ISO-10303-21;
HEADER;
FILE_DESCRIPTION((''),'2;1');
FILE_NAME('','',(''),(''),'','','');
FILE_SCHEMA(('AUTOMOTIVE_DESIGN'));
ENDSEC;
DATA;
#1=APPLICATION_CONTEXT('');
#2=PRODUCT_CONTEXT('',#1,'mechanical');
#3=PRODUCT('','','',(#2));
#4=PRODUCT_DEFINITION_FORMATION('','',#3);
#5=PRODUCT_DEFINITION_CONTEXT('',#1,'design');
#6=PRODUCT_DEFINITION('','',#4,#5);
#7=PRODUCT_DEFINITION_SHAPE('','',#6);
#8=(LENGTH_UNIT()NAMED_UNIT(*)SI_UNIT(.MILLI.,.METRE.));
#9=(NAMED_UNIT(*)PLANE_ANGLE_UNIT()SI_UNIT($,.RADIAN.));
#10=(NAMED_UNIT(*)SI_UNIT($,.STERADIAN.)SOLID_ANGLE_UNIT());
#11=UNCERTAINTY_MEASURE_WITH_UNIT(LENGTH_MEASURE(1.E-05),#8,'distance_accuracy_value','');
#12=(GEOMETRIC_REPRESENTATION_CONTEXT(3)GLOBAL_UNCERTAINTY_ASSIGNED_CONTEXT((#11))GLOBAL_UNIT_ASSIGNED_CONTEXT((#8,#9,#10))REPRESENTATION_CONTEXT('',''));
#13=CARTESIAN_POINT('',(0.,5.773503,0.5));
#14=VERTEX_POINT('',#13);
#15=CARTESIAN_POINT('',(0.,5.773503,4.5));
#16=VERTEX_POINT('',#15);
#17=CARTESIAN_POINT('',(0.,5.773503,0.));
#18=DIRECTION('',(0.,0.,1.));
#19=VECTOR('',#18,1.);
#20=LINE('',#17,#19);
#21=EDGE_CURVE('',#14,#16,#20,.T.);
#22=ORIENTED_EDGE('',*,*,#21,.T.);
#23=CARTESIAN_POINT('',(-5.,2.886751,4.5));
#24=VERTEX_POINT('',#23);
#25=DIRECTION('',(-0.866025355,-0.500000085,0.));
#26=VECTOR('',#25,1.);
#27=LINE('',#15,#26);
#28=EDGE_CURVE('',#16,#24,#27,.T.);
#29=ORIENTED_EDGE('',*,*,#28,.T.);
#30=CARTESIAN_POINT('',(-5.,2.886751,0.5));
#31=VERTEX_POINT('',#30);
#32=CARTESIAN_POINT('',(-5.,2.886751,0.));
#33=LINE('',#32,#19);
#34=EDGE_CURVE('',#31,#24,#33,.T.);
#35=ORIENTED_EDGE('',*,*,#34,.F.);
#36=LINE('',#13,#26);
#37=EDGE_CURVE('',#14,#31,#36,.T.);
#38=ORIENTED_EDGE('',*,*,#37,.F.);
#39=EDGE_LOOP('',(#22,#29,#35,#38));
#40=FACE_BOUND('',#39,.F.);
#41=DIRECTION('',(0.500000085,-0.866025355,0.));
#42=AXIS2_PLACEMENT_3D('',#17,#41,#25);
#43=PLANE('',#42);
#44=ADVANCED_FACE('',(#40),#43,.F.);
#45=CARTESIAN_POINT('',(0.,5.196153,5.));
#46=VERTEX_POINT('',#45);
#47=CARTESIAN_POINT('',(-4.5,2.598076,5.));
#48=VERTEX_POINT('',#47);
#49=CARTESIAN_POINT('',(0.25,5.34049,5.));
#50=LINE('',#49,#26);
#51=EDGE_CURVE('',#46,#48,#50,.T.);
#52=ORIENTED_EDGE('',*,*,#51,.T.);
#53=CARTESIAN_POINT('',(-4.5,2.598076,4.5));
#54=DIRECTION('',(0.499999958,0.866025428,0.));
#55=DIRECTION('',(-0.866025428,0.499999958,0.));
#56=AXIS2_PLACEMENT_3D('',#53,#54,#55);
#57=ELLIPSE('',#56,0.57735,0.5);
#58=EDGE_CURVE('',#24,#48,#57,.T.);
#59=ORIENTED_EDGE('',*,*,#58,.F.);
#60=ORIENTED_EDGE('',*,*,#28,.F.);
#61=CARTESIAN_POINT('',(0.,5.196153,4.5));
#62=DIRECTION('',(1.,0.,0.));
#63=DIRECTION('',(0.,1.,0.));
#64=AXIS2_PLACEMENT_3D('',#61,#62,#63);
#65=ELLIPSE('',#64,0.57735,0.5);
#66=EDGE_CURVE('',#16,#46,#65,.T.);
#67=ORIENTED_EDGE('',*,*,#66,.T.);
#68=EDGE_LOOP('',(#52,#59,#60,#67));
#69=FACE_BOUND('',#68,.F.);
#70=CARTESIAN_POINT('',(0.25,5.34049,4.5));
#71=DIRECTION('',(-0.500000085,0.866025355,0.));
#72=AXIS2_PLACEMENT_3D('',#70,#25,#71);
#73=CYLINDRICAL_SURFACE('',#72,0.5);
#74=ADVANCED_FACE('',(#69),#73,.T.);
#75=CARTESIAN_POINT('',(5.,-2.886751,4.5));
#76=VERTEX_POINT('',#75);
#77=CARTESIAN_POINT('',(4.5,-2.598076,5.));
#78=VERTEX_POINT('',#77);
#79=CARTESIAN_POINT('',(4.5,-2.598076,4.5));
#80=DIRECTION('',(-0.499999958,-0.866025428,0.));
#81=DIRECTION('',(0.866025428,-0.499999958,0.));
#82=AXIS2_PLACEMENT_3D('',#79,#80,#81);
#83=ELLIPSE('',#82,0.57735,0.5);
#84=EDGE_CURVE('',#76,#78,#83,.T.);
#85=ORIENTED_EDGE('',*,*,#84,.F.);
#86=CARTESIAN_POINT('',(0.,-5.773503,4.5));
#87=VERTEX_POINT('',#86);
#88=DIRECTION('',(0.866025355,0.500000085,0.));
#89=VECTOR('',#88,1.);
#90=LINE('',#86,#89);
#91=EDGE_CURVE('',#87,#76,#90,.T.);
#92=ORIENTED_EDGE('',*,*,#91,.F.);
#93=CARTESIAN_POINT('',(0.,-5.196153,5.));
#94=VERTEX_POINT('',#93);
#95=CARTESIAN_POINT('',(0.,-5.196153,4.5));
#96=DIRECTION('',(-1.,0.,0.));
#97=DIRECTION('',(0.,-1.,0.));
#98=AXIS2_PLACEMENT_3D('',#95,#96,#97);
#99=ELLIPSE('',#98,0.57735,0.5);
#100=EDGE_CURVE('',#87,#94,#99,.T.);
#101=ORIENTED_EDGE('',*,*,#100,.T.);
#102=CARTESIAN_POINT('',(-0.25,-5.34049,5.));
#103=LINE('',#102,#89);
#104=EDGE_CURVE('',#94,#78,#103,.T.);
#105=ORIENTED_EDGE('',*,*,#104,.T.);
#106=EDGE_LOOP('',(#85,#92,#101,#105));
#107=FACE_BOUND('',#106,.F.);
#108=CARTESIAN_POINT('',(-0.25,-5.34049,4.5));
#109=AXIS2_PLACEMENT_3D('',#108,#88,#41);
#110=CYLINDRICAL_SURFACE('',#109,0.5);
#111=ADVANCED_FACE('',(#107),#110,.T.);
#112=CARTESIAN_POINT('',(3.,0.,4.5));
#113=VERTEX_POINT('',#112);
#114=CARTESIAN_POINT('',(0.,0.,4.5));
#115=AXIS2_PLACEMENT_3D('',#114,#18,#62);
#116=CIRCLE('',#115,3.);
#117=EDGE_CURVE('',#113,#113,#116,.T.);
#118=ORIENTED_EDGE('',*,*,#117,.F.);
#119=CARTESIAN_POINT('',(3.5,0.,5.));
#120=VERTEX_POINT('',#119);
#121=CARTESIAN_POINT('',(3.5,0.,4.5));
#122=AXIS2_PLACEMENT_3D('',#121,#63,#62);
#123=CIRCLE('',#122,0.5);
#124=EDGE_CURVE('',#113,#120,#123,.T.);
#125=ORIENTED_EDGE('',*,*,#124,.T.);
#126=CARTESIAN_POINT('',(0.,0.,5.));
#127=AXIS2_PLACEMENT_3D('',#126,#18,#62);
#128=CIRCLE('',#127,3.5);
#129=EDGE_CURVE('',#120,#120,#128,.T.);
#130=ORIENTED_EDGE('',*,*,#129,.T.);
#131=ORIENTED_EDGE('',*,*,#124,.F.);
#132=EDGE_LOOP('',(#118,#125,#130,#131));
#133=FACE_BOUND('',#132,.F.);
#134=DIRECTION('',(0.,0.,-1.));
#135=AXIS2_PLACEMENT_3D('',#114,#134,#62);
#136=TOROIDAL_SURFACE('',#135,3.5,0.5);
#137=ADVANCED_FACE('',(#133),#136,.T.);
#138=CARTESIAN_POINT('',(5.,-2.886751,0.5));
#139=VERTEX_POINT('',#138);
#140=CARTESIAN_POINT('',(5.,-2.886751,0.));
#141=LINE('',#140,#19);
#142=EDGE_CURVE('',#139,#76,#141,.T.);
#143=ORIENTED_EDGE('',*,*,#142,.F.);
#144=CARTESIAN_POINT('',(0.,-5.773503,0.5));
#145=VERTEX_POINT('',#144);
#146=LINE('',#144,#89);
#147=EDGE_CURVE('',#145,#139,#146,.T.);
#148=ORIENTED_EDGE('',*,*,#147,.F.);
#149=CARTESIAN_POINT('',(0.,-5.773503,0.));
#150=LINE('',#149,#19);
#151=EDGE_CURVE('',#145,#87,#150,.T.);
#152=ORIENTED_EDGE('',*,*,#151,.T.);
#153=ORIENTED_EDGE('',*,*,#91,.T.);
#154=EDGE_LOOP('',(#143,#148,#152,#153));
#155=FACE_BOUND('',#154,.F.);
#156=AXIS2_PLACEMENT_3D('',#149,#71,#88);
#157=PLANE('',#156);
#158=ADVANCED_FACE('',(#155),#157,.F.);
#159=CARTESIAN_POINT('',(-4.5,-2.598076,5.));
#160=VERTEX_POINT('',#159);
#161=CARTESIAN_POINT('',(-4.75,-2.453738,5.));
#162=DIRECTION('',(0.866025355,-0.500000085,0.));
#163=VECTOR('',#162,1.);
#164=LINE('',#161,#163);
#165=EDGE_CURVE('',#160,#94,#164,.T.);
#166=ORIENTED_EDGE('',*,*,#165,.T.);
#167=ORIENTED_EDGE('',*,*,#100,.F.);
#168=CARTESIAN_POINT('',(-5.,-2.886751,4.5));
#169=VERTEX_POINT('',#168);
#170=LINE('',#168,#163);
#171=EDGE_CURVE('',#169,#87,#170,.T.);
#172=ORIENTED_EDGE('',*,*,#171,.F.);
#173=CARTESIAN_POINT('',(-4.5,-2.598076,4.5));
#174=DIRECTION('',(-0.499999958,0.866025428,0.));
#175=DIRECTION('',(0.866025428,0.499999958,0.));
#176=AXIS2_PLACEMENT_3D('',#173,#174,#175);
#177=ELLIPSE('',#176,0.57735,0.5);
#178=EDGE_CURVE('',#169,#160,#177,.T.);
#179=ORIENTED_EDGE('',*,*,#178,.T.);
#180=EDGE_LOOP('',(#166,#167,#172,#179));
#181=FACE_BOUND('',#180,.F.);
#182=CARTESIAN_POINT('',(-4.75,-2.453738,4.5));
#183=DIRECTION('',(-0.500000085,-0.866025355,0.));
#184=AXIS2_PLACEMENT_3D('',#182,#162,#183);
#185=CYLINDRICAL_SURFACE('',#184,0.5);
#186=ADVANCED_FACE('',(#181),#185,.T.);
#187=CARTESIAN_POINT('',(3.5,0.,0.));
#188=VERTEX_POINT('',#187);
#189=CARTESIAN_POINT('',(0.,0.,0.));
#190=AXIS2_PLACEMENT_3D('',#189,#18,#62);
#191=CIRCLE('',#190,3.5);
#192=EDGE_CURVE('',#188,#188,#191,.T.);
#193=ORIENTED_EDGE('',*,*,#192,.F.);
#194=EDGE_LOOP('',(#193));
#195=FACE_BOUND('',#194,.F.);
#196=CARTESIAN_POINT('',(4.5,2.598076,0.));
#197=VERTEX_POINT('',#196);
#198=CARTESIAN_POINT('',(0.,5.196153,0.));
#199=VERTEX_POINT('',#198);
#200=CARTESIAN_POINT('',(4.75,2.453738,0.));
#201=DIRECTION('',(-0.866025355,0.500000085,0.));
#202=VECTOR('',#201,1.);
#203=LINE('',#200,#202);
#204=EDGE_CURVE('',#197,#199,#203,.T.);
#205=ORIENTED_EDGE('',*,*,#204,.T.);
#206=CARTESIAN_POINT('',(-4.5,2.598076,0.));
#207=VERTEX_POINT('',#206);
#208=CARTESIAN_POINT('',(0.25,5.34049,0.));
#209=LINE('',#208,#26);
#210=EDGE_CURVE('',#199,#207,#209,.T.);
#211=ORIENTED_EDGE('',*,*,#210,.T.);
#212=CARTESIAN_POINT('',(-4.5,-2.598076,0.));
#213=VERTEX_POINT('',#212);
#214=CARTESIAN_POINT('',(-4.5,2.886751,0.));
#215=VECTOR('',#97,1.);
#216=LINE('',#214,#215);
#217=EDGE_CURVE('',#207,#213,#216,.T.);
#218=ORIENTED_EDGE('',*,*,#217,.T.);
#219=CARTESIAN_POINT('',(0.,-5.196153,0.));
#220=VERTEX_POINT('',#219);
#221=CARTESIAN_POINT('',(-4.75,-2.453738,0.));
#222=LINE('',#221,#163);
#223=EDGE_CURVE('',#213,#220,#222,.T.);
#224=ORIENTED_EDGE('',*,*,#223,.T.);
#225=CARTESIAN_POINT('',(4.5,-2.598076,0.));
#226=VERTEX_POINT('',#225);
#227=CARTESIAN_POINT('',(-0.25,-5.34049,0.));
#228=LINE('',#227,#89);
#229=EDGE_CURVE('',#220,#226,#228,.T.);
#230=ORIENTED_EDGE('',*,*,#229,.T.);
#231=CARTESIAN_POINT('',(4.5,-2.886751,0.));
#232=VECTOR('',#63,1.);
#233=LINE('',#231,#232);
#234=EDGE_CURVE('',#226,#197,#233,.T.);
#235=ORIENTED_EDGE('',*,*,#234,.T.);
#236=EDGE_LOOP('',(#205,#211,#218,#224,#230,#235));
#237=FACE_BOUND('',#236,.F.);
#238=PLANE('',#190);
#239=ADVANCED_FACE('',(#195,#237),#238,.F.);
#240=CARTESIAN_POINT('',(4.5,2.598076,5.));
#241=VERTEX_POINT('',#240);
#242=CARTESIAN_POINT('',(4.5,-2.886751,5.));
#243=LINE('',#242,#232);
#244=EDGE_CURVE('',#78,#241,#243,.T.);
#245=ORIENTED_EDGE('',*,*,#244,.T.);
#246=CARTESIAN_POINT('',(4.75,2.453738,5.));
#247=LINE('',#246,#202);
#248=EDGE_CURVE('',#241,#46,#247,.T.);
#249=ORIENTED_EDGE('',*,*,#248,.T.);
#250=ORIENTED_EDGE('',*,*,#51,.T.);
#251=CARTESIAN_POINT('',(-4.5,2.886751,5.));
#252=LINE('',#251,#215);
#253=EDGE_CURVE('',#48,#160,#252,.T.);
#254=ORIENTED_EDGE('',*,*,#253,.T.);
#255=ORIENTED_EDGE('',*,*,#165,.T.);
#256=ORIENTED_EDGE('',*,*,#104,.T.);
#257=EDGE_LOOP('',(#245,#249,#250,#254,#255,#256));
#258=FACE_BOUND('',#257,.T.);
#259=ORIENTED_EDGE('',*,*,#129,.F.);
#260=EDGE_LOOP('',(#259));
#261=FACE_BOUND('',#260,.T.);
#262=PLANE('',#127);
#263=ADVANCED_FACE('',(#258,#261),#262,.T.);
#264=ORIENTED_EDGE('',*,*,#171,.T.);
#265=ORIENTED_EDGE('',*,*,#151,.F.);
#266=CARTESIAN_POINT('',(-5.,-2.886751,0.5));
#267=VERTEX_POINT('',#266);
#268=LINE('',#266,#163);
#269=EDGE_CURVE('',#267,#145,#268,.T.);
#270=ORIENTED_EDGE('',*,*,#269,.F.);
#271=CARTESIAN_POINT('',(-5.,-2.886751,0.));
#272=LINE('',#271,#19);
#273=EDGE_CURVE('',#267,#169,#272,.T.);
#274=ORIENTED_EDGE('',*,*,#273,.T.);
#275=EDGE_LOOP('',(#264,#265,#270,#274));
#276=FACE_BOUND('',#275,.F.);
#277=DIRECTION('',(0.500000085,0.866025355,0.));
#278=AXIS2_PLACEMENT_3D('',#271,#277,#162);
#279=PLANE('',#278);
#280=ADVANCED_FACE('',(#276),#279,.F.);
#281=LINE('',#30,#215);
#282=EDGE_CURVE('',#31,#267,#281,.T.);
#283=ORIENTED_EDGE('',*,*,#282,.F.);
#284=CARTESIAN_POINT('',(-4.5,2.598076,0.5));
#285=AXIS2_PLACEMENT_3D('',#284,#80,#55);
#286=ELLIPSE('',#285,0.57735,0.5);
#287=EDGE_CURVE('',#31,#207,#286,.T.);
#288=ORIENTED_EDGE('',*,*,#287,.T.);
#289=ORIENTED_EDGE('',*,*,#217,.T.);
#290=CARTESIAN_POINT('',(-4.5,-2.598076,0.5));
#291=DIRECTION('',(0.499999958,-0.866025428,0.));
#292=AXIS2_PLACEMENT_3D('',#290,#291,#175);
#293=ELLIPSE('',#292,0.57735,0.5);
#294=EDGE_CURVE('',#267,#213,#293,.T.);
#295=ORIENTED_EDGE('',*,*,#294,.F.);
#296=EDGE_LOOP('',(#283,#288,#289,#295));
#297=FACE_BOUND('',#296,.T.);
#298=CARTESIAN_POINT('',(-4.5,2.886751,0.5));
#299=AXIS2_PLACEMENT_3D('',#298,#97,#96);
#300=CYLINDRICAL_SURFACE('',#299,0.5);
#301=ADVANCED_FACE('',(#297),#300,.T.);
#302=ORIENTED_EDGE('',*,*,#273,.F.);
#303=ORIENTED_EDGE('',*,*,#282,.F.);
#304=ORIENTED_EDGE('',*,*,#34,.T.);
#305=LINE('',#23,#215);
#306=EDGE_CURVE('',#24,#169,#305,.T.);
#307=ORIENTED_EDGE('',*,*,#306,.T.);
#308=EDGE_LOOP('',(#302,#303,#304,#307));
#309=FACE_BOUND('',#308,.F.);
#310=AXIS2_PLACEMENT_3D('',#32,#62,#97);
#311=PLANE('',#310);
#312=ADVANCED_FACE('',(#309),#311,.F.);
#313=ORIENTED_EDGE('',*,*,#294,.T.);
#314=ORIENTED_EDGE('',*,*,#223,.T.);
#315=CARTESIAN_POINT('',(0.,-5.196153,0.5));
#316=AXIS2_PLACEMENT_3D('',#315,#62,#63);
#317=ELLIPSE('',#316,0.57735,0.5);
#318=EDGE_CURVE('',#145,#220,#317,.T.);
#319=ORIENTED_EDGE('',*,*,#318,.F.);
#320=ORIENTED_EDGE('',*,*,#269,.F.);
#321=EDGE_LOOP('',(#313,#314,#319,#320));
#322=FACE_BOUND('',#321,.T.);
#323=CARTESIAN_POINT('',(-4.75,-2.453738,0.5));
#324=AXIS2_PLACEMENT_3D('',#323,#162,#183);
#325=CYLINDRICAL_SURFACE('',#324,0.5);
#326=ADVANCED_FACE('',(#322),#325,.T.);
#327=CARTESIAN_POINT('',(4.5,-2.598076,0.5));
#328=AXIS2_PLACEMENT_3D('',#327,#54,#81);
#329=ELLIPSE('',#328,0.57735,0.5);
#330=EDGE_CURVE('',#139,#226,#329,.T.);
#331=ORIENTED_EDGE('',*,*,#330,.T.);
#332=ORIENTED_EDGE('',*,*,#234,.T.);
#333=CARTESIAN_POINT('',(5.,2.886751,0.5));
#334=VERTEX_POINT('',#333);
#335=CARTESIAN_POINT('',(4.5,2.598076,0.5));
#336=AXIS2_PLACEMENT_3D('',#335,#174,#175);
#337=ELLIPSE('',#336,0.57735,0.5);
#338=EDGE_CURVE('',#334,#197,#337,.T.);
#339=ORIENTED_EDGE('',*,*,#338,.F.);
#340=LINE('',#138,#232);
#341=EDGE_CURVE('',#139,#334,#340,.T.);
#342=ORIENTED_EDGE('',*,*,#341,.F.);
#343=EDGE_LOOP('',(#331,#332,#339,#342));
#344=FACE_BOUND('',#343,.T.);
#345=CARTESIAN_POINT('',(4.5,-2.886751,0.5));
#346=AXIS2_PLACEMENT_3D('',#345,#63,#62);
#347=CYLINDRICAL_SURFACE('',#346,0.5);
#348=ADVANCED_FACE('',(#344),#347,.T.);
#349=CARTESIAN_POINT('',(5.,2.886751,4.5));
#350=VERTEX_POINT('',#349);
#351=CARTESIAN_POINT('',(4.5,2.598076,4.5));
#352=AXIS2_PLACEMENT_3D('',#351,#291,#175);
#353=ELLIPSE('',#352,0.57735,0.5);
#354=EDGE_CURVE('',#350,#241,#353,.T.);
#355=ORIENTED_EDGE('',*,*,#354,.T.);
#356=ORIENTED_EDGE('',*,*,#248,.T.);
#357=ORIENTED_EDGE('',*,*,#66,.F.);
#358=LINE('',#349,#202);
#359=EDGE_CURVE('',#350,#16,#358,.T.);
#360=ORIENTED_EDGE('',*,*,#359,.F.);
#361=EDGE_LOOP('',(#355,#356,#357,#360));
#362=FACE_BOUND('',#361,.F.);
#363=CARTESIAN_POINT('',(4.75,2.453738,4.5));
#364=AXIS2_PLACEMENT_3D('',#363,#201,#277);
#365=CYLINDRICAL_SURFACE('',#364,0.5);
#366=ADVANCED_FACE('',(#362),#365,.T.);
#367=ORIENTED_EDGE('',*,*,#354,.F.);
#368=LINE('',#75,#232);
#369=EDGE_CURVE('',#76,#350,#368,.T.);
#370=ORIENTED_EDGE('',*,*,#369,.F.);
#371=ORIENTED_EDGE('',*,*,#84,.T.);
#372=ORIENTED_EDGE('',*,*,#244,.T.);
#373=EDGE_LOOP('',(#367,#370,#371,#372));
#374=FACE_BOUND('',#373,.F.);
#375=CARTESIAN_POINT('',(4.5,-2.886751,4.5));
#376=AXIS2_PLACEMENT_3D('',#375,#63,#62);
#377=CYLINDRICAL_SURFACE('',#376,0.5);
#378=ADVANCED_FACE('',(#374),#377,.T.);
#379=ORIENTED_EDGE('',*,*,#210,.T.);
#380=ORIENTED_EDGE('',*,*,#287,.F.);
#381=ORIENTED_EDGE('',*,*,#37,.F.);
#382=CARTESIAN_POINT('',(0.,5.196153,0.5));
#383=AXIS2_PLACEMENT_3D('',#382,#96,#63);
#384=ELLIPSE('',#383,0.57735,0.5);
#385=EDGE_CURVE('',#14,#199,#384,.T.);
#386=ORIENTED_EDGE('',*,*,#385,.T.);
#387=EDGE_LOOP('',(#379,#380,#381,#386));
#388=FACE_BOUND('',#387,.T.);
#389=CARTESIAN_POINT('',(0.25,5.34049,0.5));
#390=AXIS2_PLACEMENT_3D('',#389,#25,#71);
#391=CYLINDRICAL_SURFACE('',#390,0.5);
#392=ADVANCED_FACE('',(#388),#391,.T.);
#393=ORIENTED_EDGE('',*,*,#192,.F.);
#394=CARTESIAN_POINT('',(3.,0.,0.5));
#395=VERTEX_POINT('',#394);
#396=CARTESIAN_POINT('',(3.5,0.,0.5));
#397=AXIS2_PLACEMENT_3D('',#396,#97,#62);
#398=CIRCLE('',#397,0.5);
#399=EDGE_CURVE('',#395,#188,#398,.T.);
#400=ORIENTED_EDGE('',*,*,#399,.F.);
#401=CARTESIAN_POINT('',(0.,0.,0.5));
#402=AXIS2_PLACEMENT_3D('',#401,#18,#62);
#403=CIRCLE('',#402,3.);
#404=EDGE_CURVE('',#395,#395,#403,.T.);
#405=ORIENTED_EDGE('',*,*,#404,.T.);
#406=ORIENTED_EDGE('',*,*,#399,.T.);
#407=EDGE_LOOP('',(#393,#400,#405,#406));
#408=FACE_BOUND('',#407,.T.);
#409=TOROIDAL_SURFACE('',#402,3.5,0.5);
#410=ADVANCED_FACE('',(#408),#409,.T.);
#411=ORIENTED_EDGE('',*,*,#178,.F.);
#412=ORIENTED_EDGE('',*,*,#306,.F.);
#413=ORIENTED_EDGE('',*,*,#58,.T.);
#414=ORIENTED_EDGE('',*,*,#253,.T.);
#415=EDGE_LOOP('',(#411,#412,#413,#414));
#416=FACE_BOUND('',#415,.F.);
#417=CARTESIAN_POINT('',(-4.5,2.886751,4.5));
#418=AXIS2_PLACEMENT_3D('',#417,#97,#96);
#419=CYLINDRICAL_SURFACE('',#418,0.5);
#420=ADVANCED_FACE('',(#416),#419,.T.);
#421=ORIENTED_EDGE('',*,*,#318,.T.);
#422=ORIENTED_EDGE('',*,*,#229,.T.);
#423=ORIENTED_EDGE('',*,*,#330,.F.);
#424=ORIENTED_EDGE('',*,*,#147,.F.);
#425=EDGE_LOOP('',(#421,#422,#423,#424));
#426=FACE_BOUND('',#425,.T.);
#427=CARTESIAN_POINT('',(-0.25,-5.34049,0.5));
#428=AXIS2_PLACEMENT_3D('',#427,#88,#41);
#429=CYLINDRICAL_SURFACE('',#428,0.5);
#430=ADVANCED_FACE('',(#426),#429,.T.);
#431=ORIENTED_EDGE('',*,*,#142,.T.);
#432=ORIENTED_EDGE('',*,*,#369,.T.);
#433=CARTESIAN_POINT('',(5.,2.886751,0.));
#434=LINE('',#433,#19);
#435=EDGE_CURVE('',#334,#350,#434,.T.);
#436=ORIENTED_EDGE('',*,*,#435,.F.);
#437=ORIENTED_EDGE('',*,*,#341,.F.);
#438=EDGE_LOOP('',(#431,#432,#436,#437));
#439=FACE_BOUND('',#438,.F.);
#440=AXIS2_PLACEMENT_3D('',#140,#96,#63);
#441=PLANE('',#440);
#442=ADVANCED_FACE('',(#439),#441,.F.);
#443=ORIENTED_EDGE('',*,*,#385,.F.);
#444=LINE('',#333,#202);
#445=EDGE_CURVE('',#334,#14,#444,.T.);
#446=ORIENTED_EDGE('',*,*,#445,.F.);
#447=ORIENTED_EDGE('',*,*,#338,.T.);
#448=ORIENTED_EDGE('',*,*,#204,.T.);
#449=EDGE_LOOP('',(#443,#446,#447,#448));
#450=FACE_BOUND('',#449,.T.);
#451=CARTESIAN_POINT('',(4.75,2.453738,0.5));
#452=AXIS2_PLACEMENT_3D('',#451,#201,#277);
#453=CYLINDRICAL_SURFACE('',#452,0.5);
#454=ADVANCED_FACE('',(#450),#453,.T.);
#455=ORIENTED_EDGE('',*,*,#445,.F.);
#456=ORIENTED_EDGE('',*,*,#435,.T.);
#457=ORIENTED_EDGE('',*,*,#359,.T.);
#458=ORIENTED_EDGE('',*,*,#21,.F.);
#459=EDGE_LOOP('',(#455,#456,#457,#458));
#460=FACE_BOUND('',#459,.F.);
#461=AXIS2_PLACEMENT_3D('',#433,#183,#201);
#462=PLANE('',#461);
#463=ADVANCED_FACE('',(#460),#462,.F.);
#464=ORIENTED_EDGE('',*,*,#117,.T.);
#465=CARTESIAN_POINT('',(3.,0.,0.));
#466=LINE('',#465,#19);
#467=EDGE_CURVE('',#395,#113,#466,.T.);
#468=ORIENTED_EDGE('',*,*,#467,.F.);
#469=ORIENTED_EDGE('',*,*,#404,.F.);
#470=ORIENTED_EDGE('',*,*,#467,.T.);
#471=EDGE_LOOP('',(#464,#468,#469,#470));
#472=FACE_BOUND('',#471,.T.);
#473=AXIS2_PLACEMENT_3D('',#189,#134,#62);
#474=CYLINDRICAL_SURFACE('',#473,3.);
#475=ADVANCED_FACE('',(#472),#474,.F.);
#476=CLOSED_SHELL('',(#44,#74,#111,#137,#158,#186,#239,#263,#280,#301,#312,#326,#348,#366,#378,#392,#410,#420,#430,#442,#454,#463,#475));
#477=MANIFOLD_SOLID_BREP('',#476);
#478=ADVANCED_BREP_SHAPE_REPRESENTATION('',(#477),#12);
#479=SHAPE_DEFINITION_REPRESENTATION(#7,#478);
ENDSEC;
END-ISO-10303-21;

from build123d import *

# Parameters (mm, degrees)
F0_R     = 3
F1_DEPTH = 5
F2_R     = 0.5


with BuildPart() as f1:
    # F0 (on Top) → F1 (new body)
    with BuildSketch(Plane.XY):
        Polygon((5, -2.886751), (5, 2.886751), (0, 5.773503), (-5, 2.886751), (-5, -2.886751), (0, -5.773503), align=None)
        Circle(F0_R, mode=Mode.SUBTRACT)
    extrude(amount=F1_DEPTH)

    # F2
    f2_edges = [f1.edges().sort_by_distance(p)[0] for p in [
        (-3, 0, 5),
        (-3, 0, 0),
        (2.5, -4.330127, 0),
        (-2.5, -4.330127, 0),
        (-2.5, -4.330127, 5),
        (2.5, -4.330127, 5),
        (5, 0, 5),
        (2.5, 4.330127, 5),
        (-2.5, 4.330127, 5),
        (-5, 0, 5),
        (5, 0, 0),
        (2.5, 4.330127, 0),
        (-2.5, 4.330127, 0),
        (-5, 0, 0),
    ]]
    fillet(f2_edges, radius=F2_R)


solid = f1.part
